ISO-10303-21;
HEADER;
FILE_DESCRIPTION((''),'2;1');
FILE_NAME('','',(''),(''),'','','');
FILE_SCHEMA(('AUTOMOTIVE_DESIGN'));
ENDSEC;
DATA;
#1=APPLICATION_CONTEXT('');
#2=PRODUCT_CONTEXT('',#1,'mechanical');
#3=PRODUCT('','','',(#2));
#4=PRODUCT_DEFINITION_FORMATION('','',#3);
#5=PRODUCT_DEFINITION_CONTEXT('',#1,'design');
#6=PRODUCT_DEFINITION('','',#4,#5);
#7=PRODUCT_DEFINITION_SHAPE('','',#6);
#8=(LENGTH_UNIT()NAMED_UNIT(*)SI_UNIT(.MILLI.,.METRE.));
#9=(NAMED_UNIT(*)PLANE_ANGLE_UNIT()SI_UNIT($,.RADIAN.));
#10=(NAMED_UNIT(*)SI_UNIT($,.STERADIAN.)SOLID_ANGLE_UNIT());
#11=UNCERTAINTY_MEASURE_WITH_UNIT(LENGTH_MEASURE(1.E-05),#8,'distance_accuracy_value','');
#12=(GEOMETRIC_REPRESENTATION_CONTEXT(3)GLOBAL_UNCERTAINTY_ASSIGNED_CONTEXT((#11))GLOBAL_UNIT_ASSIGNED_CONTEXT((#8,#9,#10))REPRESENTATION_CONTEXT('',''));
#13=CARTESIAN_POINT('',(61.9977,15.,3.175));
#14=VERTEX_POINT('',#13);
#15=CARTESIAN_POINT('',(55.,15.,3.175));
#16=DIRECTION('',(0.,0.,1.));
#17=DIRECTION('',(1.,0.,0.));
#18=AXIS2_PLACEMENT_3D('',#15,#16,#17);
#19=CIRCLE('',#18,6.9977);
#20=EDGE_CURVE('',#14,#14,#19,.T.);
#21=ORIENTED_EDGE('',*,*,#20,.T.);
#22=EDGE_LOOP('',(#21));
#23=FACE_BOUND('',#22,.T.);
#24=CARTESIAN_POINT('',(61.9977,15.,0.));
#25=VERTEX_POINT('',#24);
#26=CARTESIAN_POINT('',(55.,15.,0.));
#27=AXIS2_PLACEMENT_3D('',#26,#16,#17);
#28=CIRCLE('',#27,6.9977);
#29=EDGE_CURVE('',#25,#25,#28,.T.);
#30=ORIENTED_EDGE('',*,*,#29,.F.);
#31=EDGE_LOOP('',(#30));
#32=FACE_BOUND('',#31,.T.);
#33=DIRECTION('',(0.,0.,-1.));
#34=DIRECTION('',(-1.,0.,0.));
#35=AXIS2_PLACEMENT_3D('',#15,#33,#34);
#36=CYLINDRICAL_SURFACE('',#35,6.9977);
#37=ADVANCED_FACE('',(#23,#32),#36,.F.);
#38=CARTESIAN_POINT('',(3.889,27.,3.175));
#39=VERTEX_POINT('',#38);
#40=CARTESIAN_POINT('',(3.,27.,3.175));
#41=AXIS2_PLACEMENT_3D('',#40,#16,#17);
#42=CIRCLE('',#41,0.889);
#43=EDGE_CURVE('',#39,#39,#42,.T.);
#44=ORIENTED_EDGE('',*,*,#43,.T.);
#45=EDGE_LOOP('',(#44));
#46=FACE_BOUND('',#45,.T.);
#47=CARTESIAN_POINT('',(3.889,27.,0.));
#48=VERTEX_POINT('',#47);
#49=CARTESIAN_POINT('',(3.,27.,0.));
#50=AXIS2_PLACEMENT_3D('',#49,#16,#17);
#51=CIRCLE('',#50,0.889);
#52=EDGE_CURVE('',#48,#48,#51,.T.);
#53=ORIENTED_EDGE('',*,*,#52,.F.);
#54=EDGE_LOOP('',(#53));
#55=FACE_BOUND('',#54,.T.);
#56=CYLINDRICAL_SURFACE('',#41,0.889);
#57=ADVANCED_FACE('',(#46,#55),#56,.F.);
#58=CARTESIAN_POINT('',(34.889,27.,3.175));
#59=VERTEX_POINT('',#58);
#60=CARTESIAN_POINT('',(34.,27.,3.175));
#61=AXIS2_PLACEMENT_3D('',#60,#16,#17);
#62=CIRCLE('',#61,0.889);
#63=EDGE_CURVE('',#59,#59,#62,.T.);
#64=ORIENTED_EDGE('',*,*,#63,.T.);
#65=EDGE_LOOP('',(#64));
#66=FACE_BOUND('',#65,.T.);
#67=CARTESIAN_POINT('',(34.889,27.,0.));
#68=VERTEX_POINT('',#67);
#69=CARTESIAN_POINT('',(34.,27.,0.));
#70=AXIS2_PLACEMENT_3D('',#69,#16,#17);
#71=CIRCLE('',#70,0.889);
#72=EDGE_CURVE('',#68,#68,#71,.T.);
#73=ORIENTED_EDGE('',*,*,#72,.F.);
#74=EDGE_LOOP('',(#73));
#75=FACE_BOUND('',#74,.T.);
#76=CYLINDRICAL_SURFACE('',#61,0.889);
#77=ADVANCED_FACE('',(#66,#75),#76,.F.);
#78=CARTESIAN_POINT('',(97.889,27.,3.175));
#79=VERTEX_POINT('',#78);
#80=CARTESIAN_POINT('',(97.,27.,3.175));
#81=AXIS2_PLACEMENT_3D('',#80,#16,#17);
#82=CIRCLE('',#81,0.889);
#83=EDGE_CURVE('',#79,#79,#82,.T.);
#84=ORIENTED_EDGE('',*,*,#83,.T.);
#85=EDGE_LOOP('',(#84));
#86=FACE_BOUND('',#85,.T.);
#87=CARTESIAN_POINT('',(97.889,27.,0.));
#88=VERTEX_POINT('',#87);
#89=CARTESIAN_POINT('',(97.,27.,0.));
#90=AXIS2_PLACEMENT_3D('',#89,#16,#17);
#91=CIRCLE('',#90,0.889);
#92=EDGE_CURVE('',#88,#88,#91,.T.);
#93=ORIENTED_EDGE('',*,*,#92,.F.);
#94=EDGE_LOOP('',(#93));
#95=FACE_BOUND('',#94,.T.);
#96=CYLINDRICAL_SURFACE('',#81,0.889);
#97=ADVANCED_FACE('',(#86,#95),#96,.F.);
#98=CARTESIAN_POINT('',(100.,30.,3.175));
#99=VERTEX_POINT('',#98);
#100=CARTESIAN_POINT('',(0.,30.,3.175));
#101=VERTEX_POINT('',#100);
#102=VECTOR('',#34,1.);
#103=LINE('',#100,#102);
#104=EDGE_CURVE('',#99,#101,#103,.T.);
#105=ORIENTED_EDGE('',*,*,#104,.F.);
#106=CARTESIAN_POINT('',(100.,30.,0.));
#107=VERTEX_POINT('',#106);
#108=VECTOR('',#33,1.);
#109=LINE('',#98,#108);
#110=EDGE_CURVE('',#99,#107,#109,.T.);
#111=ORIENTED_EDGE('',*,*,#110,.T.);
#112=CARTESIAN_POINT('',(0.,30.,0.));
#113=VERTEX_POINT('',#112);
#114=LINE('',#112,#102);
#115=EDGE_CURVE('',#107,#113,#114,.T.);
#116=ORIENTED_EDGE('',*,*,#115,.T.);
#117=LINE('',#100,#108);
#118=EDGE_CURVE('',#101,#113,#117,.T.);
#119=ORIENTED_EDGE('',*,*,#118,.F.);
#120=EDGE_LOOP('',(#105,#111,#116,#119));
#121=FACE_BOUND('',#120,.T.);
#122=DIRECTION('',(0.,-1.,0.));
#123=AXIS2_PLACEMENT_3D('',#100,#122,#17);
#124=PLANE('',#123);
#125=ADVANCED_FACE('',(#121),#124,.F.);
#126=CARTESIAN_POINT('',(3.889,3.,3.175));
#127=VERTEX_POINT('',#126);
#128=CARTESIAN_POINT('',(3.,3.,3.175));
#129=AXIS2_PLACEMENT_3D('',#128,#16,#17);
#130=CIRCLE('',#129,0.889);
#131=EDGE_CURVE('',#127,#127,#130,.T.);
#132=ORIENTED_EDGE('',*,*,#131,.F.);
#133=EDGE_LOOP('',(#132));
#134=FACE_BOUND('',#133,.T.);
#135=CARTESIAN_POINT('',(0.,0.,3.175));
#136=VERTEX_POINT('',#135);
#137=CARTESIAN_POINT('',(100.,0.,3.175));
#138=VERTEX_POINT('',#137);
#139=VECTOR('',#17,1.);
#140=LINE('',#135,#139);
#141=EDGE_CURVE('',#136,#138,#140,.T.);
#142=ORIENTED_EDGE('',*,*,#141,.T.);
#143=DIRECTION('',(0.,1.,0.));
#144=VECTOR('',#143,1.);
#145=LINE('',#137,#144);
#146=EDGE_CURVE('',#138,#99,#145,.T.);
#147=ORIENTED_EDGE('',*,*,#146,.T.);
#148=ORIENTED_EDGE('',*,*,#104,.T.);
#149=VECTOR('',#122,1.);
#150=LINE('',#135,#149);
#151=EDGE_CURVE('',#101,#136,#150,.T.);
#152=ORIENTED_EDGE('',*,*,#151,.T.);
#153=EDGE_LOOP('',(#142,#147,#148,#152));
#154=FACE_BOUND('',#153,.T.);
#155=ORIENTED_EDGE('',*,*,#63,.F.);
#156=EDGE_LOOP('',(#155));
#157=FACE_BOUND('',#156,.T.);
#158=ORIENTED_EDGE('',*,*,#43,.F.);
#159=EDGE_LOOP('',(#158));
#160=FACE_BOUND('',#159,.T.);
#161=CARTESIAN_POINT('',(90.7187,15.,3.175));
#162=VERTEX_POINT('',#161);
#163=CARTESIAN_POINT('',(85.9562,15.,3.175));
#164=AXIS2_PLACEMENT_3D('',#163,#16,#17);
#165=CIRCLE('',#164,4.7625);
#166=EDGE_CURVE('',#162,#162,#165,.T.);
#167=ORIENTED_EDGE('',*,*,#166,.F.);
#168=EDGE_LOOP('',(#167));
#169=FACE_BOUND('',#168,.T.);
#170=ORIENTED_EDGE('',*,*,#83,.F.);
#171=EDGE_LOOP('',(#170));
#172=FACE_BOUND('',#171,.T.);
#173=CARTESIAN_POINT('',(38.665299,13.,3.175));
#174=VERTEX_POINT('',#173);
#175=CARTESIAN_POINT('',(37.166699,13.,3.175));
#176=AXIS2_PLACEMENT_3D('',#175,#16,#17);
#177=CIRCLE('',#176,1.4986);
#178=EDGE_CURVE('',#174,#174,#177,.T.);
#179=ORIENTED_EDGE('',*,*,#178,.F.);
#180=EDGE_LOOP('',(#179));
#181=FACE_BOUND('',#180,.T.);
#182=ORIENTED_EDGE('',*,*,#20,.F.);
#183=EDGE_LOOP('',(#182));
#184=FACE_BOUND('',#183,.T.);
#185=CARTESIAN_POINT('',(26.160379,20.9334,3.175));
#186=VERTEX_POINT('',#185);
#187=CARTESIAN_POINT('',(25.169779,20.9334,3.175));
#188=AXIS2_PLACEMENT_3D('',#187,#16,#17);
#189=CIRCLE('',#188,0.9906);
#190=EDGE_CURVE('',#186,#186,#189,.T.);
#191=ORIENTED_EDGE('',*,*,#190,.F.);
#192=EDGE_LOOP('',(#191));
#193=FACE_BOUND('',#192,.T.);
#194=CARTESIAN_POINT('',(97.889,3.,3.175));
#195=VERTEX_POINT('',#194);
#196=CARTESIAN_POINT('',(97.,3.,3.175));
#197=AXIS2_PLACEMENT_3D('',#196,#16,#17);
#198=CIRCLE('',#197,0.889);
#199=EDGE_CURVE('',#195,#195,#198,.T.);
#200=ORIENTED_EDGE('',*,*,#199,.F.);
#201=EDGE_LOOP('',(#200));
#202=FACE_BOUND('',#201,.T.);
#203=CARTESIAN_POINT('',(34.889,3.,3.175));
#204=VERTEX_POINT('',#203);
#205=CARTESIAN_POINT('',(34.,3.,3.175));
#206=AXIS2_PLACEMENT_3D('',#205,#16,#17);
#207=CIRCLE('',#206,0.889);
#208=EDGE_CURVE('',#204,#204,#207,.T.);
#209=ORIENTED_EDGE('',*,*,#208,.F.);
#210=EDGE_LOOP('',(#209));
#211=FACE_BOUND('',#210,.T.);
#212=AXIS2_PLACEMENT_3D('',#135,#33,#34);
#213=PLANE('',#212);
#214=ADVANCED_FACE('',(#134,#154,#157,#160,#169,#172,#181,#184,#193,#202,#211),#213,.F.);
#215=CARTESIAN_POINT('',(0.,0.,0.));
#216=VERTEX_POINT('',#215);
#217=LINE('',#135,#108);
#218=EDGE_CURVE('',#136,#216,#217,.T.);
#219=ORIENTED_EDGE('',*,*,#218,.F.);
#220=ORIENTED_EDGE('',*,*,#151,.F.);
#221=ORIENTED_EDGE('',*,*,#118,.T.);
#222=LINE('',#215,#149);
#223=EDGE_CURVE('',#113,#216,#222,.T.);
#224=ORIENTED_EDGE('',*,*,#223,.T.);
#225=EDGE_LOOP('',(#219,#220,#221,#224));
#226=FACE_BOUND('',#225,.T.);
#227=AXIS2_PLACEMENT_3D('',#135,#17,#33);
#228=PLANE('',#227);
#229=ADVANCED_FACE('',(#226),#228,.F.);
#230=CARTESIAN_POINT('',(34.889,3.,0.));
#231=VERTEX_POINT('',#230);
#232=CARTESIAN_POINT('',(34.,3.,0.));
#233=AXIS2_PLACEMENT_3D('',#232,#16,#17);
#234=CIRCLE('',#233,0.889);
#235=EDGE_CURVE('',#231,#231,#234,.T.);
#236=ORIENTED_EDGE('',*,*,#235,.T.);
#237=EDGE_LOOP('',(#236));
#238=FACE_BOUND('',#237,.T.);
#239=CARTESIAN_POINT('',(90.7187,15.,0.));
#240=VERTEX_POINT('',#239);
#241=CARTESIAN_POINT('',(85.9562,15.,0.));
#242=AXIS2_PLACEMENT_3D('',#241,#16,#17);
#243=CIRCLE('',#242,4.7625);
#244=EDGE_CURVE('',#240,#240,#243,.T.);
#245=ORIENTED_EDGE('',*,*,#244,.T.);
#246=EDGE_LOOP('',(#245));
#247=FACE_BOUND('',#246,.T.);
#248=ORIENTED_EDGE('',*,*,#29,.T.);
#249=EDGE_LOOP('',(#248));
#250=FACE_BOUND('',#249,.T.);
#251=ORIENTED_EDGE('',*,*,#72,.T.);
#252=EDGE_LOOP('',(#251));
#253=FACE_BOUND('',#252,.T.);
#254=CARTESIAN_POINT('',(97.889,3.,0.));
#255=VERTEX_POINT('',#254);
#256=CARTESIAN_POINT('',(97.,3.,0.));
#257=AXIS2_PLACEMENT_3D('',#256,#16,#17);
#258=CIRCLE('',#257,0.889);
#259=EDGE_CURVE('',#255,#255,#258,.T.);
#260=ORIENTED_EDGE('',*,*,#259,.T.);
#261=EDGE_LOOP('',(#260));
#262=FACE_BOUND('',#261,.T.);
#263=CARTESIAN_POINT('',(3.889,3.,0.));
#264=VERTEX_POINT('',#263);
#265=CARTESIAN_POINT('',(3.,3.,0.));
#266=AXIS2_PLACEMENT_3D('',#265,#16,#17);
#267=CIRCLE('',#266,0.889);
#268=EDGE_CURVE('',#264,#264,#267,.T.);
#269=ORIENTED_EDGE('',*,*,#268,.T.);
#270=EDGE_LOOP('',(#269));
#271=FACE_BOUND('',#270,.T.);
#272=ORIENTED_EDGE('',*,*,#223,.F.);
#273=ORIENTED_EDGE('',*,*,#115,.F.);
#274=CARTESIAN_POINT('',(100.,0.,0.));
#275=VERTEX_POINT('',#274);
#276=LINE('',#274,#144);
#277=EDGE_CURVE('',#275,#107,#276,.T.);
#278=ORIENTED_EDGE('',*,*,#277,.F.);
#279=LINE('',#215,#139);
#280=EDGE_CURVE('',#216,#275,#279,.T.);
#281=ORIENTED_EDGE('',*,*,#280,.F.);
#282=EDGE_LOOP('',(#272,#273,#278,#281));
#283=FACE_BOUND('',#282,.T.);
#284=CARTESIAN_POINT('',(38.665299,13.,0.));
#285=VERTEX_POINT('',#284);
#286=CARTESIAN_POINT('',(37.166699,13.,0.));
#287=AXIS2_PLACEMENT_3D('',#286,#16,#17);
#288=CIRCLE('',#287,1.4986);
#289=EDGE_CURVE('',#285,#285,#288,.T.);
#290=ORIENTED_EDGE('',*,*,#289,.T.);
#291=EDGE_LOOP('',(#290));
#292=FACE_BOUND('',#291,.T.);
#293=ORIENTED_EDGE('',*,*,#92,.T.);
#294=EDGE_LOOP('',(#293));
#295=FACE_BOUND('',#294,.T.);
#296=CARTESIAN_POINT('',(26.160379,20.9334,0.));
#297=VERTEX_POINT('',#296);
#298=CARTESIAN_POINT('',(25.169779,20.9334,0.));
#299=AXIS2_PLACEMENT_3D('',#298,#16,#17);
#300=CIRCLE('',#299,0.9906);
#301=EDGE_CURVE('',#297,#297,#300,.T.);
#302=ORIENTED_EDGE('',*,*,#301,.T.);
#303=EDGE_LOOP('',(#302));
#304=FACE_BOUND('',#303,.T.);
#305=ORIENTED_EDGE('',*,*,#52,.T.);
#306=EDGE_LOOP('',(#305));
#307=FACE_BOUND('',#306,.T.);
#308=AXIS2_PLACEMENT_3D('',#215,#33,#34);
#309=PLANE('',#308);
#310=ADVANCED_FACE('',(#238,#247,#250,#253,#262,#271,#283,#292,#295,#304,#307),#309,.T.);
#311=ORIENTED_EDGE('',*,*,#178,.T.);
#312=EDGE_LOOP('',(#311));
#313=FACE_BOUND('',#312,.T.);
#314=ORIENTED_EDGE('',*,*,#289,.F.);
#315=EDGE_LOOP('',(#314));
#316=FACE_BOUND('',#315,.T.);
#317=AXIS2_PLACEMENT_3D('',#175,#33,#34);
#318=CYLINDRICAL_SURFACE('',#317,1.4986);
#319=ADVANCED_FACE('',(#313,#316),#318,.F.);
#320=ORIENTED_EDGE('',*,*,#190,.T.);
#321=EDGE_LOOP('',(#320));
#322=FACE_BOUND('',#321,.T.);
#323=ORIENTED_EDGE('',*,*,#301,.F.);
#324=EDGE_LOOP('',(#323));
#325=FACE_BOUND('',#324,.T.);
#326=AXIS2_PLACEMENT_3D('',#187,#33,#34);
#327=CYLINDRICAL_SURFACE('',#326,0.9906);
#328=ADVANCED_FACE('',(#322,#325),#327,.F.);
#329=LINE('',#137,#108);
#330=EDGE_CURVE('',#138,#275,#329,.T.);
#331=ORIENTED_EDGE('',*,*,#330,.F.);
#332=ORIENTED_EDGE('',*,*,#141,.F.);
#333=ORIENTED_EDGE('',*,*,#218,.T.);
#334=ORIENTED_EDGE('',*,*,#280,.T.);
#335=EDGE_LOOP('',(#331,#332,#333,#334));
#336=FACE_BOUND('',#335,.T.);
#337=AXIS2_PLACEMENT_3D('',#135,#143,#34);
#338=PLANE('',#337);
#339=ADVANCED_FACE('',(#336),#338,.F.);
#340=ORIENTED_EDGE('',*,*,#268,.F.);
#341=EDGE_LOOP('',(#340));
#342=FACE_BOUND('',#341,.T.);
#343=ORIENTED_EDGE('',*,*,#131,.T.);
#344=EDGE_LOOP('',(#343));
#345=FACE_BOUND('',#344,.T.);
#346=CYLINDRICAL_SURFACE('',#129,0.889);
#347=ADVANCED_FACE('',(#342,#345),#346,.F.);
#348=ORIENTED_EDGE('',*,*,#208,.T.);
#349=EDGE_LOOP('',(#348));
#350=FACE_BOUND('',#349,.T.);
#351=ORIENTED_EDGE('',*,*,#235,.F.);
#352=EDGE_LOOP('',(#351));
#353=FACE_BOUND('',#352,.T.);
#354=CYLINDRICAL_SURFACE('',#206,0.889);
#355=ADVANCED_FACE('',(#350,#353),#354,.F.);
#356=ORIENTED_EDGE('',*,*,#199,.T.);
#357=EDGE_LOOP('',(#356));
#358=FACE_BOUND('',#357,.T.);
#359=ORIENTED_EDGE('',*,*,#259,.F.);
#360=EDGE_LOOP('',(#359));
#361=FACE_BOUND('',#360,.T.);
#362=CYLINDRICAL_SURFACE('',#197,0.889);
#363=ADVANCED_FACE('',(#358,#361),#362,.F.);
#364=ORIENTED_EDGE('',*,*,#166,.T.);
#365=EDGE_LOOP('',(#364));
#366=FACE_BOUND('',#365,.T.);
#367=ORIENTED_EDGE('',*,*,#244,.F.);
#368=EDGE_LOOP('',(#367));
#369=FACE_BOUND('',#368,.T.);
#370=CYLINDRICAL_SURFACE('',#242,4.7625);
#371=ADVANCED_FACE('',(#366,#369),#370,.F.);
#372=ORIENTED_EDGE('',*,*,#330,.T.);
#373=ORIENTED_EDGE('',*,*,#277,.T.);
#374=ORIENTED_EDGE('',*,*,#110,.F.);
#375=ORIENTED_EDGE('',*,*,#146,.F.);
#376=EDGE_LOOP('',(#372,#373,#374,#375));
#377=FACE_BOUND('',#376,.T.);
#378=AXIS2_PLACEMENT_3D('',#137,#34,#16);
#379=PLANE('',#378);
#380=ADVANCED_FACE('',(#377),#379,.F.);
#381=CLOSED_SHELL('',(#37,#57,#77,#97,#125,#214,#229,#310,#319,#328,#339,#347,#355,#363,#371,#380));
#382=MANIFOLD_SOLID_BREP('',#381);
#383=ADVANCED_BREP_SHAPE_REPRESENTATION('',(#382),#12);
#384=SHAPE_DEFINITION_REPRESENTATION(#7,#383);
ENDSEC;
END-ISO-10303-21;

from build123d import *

# Parameters (mm, degrees)
SKETCH1_W             = 100
SKETCH1_H             = 30
SKETCH1_R             = 6.9977
SKETCH1_R_2           = 1.4986
SKETCH1_R_3           = 0.9906
BOSS_EXTRUDE2_DEPTH   = 3.175
F_2_56_TAPPED_HOLE1_D = 1.778
SKETCH4_R             = 4.7625
CUT_EXTRUDE1_DEPTH    = 105.45133137


with BuildPart() as part:
    # Sketch1 → Boss-Extrude2 (new body)
    with BuildSketch(Plane.XY):
        with Locations((50, 15)):
            Rectangle(SKETCH1_W, SKETCH1_H)
        with Locations((55, 15)):
            Circle(SKETCH1_R, mode=Mode.SUBTRACT)
        with Locations((37.166699296, 13)):
            Circle(SKETCH1_R_2, mode=Mode.SUBTRACT)
        with Locations((25.169778966, 20.933400182)):
            Circle(SKETCH1_R_3, mode=Mode.SUBTRACT)
    extrude(amount=BOSS_EXTRUDE2_DEPTH)

    # #2-56 Tapped Hole1 (through all)
    with Locations(Plane.XY.offset(3.175)):
        with Locations((97, 27), (97, 3), (3, 27), (3, 3), (34, 27), (34, 3)):
            Hole(F_2_56_TAPPED_HOLE1_D / 2)

    # Sketch4 → Cut-Extrude1 (cut, through all)
    with BuildSketch(Plane.XY.offset(3.175)):
        with Locations((85.9562, 15)):
            Circle(SKETCH4_R)
    extrude(amount=-CUT_EXTRUDE1_DEPTH, mode=Mode.SUBTRACT)


solid = part.part
